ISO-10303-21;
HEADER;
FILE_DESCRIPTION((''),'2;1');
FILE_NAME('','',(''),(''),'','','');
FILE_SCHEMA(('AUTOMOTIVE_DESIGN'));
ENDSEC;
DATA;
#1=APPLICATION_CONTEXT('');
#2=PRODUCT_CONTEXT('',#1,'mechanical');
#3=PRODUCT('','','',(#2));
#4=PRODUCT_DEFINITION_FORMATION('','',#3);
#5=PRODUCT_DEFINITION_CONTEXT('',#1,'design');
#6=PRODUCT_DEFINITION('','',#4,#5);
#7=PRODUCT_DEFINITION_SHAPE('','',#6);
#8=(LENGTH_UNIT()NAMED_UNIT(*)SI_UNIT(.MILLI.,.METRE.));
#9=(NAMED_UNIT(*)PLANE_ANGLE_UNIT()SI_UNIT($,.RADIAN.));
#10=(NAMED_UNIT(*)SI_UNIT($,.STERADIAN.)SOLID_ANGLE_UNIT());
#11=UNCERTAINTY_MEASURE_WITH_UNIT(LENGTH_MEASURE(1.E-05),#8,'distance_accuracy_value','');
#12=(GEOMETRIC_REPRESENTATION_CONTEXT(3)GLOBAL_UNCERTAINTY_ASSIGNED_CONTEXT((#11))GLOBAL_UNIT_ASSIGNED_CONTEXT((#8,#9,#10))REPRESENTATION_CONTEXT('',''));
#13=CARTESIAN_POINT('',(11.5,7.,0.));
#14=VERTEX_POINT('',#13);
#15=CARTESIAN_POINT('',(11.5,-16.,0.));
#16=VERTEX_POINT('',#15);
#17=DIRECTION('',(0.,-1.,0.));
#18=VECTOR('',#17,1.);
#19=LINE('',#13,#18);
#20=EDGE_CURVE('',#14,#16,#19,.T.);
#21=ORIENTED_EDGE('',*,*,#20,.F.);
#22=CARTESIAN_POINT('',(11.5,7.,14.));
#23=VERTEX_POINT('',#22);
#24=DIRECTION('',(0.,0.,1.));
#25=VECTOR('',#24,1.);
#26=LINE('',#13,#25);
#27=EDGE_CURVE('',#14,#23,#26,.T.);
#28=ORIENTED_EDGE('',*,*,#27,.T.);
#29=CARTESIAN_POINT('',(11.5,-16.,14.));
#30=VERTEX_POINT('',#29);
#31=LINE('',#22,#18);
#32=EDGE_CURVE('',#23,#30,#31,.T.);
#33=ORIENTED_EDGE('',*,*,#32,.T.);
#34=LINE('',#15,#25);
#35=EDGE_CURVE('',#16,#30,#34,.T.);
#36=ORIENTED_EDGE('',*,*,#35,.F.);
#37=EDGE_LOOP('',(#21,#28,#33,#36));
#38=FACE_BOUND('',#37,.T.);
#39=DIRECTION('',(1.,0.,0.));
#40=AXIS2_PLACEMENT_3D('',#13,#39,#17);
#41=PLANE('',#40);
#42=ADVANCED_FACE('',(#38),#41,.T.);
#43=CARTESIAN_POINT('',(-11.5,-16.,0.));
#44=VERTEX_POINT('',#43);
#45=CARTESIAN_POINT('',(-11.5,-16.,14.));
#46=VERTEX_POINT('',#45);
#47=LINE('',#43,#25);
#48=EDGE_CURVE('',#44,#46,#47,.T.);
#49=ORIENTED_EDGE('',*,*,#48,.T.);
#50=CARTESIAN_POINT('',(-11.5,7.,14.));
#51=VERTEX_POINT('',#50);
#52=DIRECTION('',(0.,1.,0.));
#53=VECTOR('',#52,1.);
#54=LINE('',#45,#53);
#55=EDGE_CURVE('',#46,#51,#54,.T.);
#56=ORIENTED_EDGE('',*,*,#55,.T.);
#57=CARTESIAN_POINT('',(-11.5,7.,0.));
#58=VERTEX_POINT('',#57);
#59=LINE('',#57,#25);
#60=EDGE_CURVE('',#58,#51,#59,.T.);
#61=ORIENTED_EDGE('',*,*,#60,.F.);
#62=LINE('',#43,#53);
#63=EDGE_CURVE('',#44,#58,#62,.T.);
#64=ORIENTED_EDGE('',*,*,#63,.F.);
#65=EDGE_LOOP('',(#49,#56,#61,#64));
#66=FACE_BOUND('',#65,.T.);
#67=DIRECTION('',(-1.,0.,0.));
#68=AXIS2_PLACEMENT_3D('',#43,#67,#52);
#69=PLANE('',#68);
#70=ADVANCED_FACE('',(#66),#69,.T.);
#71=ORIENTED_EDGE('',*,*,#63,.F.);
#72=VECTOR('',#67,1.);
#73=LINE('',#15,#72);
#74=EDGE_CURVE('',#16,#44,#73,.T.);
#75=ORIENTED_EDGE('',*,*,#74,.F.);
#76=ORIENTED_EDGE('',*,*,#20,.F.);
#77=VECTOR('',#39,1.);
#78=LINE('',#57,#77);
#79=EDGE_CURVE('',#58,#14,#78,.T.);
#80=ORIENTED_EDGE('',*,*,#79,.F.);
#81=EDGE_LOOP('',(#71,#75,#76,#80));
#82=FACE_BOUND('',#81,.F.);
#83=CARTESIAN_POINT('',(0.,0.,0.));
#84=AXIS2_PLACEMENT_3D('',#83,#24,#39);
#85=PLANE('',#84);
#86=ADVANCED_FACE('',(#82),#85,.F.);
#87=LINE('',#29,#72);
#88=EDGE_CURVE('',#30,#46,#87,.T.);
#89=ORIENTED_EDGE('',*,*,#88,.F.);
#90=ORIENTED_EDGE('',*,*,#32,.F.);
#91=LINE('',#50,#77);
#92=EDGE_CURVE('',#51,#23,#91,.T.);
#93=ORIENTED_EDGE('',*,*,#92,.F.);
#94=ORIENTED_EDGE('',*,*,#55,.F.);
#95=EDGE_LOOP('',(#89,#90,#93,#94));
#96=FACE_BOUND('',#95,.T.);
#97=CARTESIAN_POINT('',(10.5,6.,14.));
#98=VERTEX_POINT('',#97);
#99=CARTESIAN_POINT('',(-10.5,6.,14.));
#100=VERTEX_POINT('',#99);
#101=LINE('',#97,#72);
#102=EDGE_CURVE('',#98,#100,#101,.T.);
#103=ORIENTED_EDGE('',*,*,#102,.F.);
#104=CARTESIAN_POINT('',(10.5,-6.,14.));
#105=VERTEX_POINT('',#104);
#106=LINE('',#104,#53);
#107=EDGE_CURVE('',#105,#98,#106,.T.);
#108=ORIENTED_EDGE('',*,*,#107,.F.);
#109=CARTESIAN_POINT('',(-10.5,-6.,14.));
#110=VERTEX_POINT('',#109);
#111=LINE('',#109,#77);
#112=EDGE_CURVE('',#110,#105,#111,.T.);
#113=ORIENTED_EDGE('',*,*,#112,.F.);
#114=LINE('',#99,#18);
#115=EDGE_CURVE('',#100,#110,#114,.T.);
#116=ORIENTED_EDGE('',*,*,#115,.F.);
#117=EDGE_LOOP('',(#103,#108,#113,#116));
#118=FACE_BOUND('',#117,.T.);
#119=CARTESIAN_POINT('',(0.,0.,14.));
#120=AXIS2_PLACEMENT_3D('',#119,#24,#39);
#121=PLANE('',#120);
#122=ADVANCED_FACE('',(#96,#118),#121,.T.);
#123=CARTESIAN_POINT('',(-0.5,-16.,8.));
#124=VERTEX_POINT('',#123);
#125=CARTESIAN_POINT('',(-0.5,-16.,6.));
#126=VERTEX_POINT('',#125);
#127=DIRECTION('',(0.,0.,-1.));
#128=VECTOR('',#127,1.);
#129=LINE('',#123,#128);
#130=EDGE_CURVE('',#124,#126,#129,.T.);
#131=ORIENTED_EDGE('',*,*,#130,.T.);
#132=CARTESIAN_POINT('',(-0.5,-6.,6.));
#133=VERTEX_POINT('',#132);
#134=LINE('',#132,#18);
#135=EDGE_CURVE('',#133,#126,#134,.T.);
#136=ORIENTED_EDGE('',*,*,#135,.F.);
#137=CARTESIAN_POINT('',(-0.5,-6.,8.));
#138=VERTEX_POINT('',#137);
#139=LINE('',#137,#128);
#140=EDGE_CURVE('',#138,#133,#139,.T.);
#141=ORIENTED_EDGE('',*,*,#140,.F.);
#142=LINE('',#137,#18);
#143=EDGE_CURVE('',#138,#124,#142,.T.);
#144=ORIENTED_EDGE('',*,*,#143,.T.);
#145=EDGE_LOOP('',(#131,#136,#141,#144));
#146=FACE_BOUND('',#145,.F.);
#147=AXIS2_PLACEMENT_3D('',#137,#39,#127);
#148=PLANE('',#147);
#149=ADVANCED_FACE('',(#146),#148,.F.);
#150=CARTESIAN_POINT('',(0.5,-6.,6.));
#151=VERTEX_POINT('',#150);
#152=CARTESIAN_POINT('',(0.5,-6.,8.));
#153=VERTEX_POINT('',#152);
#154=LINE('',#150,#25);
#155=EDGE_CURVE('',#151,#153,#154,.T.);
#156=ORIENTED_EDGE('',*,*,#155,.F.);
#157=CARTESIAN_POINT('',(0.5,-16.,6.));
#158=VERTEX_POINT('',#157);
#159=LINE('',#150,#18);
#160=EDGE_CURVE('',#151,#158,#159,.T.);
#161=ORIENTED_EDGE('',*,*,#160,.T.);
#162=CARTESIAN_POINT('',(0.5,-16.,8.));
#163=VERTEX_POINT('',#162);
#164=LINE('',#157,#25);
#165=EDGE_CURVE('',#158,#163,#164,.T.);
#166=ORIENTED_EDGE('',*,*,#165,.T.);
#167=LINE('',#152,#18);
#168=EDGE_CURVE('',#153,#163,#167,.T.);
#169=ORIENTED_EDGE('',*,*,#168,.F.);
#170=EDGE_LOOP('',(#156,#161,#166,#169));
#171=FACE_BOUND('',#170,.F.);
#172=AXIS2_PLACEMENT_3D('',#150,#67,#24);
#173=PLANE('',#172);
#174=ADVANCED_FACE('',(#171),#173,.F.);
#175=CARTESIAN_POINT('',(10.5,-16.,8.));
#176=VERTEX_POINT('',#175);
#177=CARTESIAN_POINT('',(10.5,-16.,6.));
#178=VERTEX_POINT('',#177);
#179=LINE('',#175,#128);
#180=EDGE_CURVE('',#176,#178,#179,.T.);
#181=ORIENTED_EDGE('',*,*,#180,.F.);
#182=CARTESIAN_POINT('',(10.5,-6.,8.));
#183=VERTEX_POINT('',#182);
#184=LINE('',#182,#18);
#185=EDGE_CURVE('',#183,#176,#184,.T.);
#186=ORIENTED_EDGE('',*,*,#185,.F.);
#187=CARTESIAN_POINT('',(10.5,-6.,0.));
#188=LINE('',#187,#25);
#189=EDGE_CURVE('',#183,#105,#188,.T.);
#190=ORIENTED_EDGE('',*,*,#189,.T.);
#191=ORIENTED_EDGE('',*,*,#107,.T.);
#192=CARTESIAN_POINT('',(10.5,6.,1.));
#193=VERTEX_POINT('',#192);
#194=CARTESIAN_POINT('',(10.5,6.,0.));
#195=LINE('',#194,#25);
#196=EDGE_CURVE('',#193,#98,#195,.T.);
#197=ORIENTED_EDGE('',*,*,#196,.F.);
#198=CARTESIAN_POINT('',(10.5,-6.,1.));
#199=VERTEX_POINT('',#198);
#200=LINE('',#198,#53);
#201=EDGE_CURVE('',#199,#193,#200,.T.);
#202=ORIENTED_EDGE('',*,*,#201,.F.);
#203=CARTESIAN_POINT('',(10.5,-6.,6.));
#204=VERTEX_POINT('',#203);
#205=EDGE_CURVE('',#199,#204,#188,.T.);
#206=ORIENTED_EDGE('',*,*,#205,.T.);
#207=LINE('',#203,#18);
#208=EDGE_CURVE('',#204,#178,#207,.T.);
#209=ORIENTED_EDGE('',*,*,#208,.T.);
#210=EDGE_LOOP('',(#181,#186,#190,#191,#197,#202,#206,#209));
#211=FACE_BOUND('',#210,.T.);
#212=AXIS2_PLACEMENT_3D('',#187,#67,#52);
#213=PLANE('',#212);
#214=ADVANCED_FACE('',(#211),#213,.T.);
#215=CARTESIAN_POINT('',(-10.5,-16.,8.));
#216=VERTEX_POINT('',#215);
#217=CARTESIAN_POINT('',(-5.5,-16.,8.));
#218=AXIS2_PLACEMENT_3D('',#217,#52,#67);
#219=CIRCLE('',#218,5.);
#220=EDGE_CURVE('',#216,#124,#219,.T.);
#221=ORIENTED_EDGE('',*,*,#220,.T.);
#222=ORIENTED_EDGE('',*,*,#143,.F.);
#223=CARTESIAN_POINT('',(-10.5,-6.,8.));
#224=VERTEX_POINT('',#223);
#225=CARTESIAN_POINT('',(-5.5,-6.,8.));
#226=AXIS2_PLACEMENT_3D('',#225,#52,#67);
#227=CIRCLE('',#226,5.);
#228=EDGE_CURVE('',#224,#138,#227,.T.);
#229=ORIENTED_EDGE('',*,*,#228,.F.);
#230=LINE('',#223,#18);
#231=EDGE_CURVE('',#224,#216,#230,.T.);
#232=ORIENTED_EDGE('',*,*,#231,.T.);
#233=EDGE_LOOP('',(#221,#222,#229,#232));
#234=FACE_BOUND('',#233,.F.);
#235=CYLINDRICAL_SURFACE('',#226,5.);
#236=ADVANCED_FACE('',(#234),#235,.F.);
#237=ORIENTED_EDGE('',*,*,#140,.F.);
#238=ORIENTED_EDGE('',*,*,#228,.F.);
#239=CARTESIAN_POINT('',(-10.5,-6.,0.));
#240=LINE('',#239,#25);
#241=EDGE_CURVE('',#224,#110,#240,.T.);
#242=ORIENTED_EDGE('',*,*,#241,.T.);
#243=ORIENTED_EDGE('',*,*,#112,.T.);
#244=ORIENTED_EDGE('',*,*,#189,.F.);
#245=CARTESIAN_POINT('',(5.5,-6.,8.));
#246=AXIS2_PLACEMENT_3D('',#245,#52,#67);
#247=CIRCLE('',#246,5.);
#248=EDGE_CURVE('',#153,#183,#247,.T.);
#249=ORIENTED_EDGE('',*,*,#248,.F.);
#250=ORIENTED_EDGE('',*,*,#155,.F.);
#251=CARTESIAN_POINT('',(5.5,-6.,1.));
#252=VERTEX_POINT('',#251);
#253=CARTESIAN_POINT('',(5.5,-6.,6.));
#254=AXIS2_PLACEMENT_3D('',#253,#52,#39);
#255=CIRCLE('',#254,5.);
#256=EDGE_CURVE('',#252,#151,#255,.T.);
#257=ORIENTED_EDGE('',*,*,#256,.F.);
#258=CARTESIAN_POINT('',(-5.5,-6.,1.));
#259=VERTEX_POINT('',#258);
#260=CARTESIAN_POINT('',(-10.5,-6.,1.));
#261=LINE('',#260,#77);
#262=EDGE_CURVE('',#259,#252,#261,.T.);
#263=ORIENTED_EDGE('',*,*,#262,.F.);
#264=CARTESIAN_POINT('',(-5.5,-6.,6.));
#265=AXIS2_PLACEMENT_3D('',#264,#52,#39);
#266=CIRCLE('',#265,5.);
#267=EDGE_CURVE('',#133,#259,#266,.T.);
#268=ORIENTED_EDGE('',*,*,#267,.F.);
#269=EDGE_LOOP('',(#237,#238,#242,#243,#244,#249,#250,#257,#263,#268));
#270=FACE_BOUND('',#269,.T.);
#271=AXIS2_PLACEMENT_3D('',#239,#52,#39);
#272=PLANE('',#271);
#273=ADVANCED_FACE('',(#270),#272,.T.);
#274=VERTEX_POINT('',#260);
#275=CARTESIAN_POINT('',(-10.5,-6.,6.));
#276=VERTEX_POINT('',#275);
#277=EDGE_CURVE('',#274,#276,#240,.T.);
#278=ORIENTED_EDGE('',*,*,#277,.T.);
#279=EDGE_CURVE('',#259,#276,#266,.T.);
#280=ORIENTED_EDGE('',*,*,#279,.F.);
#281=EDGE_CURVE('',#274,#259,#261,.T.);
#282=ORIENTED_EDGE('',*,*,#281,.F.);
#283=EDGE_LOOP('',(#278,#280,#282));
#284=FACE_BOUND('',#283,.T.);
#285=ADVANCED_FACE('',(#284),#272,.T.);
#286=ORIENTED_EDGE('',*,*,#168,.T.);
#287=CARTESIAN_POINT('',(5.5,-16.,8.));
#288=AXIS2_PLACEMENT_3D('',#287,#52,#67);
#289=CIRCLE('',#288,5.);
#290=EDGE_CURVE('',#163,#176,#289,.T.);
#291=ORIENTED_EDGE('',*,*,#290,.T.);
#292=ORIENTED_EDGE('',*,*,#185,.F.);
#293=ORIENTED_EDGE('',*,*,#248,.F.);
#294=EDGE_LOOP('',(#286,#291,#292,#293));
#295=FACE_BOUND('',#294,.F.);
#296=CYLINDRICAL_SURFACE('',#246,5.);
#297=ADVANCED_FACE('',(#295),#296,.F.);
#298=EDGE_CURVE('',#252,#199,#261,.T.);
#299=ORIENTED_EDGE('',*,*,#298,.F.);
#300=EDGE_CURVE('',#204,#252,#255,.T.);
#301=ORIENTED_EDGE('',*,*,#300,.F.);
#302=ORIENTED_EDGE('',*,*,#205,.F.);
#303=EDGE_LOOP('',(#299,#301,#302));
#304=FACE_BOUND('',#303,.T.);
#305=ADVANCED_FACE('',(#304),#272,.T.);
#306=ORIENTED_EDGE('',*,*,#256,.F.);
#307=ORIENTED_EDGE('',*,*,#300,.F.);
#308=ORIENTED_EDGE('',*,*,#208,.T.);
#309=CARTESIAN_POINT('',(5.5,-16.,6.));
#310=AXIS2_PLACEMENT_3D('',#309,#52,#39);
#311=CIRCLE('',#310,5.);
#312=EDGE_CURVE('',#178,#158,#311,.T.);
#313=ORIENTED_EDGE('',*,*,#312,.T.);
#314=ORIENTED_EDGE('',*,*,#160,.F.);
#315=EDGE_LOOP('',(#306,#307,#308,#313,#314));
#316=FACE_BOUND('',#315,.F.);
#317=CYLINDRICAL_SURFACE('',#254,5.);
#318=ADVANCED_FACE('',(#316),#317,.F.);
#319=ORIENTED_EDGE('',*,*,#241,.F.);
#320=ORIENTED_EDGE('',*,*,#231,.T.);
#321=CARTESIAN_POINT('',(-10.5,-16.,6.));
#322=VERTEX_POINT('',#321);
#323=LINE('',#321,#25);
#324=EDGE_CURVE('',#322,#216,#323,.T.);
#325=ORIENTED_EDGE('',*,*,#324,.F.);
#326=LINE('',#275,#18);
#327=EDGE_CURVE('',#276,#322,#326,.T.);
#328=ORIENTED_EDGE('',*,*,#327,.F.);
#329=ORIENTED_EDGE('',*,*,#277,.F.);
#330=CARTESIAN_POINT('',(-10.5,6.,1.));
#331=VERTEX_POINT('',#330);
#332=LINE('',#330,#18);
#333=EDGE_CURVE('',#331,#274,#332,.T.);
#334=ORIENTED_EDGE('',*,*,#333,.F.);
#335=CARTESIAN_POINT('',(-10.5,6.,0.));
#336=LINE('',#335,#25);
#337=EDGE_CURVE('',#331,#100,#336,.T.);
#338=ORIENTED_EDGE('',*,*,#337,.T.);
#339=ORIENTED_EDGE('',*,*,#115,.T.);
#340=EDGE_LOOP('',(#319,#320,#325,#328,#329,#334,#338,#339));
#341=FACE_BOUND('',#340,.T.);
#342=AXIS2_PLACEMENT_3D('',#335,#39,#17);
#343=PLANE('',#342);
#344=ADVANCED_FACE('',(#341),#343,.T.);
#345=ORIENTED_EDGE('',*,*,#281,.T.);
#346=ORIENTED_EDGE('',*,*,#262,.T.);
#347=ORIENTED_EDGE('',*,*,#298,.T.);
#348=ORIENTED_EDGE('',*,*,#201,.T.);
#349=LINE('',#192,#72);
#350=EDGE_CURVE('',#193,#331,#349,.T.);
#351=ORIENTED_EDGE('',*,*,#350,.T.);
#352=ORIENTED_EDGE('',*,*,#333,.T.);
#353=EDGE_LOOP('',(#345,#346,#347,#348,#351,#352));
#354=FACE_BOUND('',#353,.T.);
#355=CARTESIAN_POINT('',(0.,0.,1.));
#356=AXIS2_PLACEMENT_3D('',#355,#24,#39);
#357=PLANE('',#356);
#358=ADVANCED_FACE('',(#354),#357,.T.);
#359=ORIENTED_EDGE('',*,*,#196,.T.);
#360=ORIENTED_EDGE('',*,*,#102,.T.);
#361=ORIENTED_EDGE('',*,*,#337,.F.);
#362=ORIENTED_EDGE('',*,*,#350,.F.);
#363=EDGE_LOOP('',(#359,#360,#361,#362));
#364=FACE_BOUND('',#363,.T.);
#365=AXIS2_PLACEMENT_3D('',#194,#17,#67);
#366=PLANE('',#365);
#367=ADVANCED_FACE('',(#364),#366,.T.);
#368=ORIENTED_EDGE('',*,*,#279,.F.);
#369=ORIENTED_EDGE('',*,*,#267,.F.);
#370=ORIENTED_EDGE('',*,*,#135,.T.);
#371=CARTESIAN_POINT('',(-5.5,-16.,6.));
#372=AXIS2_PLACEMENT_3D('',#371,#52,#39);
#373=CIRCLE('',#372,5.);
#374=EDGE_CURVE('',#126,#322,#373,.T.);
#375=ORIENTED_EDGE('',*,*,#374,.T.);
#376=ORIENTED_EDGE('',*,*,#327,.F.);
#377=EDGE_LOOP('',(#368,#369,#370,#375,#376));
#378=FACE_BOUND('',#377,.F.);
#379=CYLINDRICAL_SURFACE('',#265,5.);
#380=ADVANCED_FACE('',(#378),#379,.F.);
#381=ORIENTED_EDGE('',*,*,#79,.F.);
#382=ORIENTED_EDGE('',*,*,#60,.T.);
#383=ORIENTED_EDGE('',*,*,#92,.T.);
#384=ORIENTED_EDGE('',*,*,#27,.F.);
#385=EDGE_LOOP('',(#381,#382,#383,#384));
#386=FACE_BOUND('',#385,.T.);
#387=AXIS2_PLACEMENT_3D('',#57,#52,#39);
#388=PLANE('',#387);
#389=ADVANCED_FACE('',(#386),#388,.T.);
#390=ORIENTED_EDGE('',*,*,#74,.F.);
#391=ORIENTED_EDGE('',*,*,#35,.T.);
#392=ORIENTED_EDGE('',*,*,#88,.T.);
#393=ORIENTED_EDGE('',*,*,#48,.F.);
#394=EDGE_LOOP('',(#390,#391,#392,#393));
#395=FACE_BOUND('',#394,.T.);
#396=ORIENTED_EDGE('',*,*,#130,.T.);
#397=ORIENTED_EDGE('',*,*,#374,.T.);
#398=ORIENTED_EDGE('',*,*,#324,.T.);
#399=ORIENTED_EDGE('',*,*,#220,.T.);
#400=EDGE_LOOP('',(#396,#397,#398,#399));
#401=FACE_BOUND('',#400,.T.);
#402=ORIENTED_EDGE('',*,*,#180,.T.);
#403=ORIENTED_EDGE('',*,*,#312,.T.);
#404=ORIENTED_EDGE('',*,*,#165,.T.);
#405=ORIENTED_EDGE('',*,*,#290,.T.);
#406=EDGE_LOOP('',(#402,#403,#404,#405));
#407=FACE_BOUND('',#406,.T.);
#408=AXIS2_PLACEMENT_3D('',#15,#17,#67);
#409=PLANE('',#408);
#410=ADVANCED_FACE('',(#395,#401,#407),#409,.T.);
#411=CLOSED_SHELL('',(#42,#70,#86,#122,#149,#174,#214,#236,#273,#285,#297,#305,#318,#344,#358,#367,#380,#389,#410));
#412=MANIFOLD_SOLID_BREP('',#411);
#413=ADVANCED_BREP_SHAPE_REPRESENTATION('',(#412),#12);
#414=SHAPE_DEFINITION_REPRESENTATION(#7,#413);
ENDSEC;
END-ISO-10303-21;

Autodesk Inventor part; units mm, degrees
ref_plane "YZ Plane" through (0, 0, 0) normal (1, 0, 0) x (0, 1, 0)
ref_plane "XZ Plane" through (0, 0, 0) normal (0, 1, 0) x (-1, 0, 0)
ref_plane "XY Plane" through (0, 0, 0) normal (0, 0, 1) x (1, 0, 0)
sketch "Base Sketch" plane through (0, 0, 0) normal (0, 0, 1) x (1, 0, 0)
  line L0 (-10.5, -6) -> (10.5, -6)
  line L1 (10.5, -6) -> (10.5, 6)
  line L2 (10.5, 6) -> (-10.5, 6)
  line L3 (-10.5, 6) -> (-10.5, -6)
  line L4 (-10.5, -6) -> (10.5, 6) construction
  line L5 (10.5, -6) -> (-10.5, 6) construction
  line L6 (-11.5, 7) -> (11.5, 7)
  line L7 (11.5, 7) -> (11.5, -16)
  line L8 (11.5, -16) -> (-11.5, -16)
  line L9 (-11.5, -16) -> (-11.5, 7)
  point P0 (0, 0)
  dimension "CavityWidth" = 21
  dimension "CavityHeight" = 12
  dimension "d5" = 1
  dimension "d6" = 1
  dimension "d7" = 1
  dimension "d8" = 10
extrude "Walls" add sketch "Base Sketch" along normal blind 14
extrude "Back" add sketch "Base Sketch" along normal blind 1 contours L3 L2 L1 L0
sketch "Whistle Hole Sketch" plane through (-10.5, -6, 14) normal (0, 1, 0) x (1, 0, 0)
  line L0 (21, 13) -> (0, 13) construction
  line L1 (0, 13) -> (0, 0) construction
  line L2 (21, 0) -> (0, 0) construction
  line L3 (21, 13) -> (21, 0) construction
  line L4 (5, 6) -> (5, 8) construction
  line L5 (10, 6) -> (10, 8)
  line L6 (0, 8) -> (0, 6)
  arc A0 (0, 6) -> (10, 6) centre (5, 6) ccw
  arc A1 (10, 8) -> (0, 8) centre (5, 8) ccw
  point P0 (10.5, 14)
  point P1 (5, 7)
  dimension "d11" = 2
  dimension "d12" = 10
extrude "Whistle Hole" cut sketch "Whistle Hole Sketch" against normal up to surface (10 mm away)
pattern_linear "Rectangular Pattern2" count 2 spacing 11 along (1, 0, 0) of "Whistle Hole"
equation "\"d5\" = WallThickness"
equation "\"d6\" = WallThickness"
equation "\"d7\" = WallThickness"
equation "\"d8\" = CapLength"
equation "\"d3\" = MaxWidth + CapOvalLength + 2 * WallThickness"
equation "\"d9\" = WallThickness"
equation "\"d20\" = WallThickness"
equation "\"d30\" = MaxWidth + SpaceBtwnKeys"
equation "\"SpaceBtwnKeys\" = 1"
equation "\"WallThickness\" = 1"
equation "\"CapLength\" = 10"
equation "\"MaxWidth\" = 10"
equation "\"CapOvalLength\" = 2"
properties part number "Manifold0"
